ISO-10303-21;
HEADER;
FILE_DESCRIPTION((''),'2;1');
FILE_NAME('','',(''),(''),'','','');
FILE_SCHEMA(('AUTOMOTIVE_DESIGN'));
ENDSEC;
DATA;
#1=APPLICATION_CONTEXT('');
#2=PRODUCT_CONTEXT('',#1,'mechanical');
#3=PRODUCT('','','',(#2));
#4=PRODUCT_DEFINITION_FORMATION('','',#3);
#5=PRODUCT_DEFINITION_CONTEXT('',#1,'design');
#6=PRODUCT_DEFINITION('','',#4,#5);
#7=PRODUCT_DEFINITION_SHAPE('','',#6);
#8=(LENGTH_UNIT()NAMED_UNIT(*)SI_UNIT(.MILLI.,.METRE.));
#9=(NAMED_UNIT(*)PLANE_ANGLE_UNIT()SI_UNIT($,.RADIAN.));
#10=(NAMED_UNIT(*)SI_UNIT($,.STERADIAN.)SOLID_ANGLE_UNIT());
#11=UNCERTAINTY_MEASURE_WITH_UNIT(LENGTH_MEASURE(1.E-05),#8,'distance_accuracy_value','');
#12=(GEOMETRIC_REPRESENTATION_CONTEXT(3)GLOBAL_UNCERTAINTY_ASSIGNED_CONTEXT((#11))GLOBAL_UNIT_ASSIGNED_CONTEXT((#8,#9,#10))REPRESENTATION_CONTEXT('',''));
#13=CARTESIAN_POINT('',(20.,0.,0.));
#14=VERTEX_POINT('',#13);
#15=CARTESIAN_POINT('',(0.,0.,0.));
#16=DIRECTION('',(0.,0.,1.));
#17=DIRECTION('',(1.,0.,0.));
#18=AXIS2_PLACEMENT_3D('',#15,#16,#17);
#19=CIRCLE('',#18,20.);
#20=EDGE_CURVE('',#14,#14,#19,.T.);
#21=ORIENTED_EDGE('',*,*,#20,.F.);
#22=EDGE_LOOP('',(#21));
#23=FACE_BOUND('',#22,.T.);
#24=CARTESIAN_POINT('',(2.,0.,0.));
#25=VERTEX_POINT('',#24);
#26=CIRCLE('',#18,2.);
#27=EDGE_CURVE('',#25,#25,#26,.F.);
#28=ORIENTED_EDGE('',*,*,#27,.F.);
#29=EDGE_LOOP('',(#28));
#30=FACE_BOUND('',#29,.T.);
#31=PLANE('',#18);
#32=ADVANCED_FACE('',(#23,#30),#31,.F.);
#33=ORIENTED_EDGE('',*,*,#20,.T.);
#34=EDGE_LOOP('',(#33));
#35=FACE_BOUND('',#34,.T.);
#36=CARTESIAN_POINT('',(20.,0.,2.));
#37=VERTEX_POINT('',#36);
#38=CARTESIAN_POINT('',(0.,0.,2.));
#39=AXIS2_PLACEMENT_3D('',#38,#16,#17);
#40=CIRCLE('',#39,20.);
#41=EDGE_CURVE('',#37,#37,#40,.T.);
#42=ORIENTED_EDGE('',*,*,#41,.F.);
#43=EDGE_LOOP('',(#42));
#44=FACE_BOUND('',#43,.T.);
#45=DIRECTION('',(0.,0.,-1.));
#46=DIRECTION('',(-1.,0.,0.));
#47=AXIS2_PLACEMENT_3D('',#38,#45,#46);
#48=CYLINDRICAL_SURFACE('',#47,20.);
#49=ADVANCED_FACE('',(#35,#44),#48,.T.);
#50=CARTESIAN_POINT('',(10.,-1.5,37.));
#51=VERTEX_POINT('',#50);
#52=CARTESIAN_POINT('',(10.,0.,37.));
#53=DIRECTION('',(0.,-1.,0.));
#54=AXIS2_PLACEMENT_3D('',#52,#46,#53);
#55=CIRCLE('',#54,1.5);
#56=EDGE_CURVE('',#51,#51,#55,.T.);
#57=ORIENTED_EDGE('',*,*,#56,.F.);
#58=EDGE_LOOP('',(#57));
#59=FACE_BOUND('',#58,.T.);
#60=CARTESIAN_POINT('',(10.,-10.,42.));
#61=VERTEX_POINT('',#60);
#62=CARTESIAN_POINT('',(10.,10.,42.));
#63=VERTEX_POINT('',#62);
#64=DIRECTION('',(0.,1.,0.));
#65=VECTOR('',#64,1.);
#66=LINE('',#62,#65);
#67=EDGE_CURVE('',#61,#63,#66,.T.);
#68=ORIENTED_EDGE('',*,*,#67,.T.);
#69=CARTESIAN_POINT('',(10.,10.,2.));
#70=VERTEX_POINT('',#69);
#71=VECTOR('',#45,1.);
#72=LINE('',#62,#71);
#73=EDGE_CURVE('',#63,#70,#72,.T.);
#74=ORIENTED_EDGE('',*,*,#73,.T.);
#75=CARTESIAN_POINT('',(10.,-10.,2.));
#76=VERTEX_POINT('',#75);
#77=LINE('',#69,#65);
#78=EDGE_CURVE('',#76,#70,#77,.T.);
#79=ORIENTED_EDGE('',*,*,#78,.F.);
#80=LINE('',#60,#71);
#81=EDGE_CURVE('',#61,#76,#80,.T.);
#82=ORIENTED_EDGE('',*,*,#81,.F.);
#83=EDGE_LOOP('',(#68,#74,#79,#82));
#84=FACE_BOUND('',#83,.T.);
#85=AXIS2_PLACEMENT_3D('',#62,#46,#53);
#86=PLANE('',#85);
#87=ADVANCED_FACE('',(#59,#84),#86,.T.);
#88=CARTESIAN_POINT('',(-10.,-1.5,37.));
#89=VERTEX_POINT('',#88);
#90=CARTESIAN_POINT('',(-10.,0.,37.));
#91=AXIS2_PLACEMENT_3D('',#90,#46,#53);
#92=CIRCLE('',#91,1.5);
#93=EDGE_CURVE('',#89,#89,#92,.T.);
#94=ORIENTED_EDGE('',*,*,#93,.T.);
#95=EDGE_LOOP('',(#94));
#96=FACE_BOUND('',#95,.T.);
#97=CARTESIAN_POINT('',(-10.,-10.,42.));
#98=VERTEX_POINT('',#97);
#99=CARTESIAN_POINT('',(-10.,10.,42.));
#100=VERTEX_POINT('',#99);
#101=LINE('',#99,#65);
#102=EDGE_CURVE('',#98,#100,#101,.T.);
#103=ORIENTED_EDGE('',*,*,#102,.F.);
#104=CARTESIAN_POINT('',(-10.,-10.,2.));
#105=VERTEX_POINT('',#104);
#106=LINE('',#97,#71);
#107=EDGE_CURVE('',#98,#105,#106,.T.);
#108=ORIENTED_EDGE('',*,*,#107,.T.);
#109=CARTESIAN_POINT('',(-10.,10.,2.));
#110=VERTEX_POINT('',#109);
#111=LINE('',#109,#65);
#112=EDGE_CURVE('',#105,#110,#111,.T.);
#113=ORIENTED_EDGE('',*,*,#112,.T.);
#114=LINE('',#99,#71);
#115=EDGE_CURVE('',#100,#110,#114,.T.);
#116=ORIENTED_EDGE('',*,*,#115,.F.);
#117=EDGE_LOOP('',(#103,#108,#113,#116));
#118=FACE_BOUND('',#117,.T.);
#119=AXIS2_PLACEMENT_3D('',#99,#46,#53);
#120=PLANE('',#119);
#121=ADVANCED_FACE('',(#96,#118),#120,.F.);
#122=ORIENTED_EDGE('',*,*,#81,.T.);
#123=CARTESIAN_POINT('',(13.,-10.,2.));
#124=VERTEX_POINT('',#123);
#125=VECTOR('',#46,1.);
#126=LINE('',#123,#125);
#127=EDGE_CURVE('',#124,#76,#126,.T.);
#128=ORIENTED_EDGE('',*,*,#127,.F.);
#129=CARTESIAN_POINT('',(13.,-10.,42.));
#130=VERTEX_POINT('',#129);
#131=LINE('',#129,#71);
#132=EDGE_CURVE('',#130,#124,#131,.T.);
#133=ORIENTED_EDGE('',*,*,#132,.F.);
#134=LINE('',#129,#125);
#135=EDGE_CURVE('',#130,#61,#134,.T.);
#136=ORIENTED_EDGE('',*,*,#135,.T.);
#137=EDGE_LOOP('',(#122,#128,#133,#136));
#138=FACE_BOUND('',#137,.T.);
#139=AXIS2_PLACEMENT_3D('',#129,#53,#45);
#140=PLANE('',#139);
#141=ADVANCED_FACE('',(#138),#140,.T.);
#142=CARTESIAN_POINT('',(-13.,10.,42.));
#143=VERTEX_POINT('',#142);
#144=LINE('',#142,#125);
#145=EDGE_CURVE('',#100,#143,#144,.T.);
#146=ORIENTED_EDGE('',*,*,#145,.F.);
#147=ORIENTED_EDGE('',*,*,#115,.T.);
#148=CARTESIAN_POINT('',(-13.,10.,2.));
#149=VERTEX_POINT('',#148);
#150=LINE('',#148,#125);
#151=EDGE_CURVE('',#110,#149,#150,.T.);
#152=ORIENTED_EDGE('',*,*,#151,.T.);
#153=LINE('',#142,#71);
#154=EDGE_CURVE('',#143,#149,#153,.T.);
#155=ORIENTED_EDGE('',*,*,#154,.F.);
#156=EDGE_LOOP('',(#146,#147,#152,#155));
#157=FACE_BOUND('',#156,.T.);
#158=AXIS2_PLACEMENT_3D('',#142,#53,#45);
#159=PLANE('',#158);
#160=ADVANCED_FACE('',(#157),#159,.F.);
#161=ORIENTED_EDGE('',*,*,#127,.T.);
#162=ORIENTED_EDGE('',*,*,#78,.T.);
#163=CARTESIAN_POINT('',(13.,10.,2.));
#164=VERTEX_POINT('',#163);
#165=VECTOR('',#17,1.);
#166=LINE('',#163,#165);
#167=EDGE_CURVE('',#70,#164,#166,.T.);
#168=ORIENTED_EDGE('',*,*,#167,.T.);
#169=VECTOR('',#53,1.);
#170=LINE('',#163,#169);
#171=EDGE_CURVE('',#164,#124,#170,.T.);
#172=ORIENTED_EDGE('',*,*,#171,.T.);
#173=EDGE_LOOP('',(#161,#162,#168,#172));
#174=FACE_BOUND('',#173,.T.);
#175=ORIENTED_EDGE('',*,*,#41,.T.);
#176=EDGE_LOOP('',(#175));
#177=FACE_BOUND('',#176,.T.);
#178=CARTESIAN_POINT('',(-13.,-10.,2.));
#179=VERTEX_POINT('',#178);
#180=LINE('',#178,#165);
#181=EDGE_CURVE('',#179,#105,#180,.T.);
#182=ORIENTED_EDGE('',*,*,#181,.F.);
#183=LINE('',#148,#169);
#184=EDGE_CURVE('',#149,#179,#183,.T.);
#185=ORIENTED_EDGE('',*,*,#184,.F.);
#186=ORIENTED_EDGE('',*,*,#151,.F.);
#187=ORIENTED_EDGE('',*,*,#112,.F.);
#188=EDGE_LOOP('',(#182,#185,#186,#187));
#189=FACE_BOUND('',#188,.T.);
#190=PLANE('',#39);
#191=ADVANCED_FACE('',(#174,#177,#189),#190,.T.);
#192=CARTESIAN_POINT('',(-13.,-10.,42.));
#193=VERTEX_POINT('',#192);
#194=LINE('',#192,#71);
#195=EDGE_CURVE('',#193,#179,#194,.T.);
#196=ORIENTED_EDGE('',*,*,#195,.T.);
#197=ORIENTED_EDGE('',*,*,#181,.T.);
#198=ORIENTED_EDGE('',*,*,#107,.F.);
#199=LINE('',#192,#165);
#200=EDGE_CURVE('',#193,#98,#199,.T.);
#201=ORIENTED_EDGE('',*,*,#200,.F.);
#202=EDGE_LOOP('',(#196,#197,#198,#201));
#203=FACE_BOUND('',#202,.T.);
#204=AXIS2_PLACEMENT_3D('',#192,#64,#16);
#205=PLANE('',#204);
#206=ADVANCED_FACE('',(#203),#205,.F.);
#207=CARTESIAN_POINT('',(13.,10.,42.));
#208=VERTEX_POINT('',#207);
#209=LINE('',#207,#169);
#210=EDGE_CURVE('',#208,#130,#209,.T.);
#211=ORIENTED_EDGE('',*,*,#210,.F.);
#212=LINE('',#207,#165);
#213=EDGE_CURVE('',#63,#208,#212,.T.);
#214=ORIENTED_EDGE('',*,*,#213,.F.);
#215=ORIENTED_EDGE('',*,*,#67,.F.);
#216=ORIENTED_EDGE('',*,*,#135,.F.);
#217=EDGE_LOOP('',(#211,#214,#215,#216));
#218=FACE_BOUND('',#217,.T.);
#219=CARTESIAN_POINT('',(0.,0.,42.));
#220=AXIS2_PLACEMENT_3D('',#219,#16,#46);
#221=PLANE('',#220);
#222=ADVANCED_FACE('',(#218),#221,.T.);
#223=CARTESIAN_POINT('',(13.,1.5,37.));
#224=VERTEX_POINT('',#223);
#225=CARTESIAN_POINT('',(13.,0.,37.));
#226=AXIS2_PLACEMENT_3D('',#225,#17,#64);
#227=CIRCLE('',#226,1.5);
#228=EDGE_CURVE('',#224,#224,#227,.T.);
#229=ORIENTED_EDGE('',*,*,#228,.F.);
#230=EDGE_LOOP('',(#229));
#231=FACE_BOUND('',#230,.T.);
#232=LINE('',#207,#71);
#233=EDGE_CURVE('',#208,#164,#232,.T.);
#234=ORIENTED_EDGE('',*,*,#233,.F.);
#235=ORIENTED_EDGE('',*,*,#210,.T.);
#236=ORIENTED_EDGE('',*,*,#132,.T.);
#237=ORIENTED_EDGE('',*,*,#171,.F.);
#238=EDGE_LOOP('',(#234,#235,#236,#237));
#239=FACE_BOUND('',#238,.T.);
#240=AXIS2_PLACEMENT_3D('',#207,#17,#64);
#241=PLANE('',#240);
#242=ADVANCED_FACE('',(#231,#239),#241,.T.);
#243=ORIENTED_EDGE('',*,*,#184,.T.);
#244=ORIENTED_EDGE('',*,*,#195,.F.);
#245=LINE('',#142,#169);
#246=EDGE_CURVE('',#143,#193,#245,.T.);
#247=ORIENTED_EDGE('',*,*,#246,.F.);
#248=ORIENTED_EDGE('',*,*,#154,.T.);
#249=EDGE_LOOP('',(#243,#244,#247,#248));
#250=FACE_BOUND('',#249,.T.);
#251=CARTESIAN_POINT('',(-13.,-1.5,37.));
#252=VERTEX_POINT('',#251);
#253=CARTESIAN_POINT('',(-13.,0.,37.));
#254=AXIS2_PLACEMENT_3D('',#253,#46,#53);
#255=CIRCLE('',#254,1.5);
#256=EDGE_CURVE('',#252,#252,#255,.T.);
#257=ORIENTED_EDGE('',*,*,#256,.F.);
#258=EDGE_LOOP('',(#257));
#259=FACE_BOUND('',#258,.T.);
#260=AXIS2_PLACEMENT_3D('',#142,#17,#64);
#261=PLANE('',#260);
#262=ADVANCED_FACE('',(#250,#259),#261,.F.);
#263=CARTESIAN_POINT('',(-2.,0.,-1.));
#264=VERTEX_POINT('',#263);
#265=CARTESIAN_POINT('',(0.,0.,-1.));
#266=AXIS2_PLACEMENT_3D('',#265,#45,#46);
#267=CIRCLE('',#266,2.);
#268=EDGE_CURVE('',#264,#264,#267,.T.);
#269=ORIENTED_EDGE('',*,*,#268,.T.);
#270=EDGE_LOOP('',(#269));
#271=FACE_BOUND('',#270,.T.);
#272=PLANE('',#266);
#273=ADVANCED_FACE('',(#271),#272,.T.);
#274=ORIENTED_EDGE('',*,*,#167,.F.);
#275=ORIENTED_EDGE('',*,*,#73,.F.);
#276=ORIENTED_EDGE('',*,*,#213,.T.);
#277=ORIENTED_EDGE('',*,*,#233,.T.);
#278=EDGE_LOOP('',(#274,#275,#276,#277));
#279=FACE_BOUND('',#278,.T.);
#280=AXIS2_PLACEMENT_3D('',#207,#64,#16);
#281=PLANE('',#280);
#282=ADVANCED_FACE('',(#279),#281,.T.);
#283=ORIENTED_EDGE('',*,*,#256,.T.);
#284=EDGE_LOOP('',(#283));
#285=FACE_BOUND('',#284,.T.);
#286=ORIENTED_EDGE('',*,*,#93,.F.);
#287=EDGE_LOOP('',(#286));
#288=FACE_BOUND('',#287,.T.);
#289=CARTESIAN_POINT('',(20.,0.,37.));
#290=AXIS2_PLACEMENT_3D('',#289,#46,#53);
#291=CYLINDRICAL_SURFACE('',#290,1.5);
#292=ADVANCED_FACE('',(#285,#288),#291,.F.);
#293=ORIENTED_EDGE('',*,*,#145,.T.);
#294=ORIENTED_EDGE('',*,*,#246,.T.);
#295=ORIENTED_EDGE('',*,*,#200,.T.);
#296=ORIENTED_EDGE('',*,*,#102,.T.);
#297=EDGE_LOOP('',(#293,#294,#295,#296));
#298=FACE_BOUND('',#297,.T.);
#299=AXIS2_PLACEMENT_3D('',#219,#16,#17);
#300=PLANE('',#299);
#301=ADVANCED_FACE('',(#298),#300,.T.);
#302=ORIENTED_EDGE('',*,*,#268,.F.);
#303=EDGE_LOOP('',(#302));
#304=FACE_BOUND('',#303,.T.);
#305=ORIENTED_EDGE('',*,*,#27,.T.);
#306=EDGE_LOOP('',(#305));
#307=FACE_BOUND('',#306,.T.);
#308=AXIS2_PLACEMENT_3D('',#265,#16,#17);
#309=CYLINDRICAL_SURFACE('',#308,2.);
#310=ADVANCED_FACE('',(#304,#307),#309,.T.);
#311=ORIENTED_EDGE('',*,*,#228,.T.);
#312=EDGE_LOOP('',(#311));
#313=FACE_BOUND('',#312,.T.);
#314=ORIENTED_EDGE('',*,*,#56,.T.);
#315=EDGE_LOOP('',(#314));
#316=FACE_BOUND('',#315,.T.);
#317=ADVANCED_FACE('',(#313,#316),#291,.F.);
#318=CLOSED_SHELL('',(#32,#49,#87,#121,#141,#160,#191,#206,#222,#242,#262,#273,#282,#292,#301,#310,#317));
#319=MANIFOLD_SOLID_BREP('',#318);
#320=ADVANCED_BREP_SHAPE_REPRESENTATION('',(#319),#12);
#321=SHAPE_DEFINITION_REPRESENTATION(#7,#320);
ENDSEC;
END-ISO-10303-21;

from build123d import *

# Parameters (mm, degrees)
SKETCH1_R           = 20
BOSS_EXTRUDE1_DEPTH = 2
SKETCH2_R           = 2
BOSS_EXTRUDE2_DEPTH = 1
SKETCH3_W           = 3
SKETCH3_H           = 20
BOSS_EXTRUDE3_DEPTH = 40
SKETCH5_R           = 1.5
CUT_EXTRUDE1_DEPTH  = 58.035076926


with BuildPart() as part:
    # Sketch1 → Boss-Extrude1 (new body)
    with BuildSketch(Plane.XY):
        Circle(SKETCH1_R)
    extrude(amount=BOSS_EXTRUDE1_DEPTH)

    # Sketch2 → Boss-Extrude2 (add)
    with BuildSketch(Plane(origin=(0, 0, 0), x_dir=(-1, 0, 0), z_dir=(0, 0, -1))):
        with Locations(Location((0, 0, 0), (0, 0, 180))):
            Circle(SKETCH2_R)
    extrude(amount=BOSS_EXTRUDE2_DEPTH)

    # Sketch3 → Boss-Extrude3 (add)
    with BuildSketch(Plane.XY.offset(2)):
        with Locations((-11.5, 0)):
            Rectangle(SKETCH3_W, SKETCH3_H)
    boss_extrude3 = extrude(amount=BOSS_EXTRUDE3_DEPTH)

    # Mirror1: Boss-Extrude3 across plane
    add(boss_extrude3.mirror(Plane(origin=(0, 0, 0), x_dir=(0, 0, 1), z_dir=(1, 0, 0))))

    # Sketch5 → Cut-Extrude1 (cut, through all)
    with BuildSketch(Plane.ZY.offset(13)):
        with Locations(Location((37, 0, 0), (0, 0, 270))):
            Circle(SKETCH5_R)
    extrude(amount=-CUT_EXTRUDE1_DEPTH, mode=Mode.SUBTRACT)


solid = part.part
